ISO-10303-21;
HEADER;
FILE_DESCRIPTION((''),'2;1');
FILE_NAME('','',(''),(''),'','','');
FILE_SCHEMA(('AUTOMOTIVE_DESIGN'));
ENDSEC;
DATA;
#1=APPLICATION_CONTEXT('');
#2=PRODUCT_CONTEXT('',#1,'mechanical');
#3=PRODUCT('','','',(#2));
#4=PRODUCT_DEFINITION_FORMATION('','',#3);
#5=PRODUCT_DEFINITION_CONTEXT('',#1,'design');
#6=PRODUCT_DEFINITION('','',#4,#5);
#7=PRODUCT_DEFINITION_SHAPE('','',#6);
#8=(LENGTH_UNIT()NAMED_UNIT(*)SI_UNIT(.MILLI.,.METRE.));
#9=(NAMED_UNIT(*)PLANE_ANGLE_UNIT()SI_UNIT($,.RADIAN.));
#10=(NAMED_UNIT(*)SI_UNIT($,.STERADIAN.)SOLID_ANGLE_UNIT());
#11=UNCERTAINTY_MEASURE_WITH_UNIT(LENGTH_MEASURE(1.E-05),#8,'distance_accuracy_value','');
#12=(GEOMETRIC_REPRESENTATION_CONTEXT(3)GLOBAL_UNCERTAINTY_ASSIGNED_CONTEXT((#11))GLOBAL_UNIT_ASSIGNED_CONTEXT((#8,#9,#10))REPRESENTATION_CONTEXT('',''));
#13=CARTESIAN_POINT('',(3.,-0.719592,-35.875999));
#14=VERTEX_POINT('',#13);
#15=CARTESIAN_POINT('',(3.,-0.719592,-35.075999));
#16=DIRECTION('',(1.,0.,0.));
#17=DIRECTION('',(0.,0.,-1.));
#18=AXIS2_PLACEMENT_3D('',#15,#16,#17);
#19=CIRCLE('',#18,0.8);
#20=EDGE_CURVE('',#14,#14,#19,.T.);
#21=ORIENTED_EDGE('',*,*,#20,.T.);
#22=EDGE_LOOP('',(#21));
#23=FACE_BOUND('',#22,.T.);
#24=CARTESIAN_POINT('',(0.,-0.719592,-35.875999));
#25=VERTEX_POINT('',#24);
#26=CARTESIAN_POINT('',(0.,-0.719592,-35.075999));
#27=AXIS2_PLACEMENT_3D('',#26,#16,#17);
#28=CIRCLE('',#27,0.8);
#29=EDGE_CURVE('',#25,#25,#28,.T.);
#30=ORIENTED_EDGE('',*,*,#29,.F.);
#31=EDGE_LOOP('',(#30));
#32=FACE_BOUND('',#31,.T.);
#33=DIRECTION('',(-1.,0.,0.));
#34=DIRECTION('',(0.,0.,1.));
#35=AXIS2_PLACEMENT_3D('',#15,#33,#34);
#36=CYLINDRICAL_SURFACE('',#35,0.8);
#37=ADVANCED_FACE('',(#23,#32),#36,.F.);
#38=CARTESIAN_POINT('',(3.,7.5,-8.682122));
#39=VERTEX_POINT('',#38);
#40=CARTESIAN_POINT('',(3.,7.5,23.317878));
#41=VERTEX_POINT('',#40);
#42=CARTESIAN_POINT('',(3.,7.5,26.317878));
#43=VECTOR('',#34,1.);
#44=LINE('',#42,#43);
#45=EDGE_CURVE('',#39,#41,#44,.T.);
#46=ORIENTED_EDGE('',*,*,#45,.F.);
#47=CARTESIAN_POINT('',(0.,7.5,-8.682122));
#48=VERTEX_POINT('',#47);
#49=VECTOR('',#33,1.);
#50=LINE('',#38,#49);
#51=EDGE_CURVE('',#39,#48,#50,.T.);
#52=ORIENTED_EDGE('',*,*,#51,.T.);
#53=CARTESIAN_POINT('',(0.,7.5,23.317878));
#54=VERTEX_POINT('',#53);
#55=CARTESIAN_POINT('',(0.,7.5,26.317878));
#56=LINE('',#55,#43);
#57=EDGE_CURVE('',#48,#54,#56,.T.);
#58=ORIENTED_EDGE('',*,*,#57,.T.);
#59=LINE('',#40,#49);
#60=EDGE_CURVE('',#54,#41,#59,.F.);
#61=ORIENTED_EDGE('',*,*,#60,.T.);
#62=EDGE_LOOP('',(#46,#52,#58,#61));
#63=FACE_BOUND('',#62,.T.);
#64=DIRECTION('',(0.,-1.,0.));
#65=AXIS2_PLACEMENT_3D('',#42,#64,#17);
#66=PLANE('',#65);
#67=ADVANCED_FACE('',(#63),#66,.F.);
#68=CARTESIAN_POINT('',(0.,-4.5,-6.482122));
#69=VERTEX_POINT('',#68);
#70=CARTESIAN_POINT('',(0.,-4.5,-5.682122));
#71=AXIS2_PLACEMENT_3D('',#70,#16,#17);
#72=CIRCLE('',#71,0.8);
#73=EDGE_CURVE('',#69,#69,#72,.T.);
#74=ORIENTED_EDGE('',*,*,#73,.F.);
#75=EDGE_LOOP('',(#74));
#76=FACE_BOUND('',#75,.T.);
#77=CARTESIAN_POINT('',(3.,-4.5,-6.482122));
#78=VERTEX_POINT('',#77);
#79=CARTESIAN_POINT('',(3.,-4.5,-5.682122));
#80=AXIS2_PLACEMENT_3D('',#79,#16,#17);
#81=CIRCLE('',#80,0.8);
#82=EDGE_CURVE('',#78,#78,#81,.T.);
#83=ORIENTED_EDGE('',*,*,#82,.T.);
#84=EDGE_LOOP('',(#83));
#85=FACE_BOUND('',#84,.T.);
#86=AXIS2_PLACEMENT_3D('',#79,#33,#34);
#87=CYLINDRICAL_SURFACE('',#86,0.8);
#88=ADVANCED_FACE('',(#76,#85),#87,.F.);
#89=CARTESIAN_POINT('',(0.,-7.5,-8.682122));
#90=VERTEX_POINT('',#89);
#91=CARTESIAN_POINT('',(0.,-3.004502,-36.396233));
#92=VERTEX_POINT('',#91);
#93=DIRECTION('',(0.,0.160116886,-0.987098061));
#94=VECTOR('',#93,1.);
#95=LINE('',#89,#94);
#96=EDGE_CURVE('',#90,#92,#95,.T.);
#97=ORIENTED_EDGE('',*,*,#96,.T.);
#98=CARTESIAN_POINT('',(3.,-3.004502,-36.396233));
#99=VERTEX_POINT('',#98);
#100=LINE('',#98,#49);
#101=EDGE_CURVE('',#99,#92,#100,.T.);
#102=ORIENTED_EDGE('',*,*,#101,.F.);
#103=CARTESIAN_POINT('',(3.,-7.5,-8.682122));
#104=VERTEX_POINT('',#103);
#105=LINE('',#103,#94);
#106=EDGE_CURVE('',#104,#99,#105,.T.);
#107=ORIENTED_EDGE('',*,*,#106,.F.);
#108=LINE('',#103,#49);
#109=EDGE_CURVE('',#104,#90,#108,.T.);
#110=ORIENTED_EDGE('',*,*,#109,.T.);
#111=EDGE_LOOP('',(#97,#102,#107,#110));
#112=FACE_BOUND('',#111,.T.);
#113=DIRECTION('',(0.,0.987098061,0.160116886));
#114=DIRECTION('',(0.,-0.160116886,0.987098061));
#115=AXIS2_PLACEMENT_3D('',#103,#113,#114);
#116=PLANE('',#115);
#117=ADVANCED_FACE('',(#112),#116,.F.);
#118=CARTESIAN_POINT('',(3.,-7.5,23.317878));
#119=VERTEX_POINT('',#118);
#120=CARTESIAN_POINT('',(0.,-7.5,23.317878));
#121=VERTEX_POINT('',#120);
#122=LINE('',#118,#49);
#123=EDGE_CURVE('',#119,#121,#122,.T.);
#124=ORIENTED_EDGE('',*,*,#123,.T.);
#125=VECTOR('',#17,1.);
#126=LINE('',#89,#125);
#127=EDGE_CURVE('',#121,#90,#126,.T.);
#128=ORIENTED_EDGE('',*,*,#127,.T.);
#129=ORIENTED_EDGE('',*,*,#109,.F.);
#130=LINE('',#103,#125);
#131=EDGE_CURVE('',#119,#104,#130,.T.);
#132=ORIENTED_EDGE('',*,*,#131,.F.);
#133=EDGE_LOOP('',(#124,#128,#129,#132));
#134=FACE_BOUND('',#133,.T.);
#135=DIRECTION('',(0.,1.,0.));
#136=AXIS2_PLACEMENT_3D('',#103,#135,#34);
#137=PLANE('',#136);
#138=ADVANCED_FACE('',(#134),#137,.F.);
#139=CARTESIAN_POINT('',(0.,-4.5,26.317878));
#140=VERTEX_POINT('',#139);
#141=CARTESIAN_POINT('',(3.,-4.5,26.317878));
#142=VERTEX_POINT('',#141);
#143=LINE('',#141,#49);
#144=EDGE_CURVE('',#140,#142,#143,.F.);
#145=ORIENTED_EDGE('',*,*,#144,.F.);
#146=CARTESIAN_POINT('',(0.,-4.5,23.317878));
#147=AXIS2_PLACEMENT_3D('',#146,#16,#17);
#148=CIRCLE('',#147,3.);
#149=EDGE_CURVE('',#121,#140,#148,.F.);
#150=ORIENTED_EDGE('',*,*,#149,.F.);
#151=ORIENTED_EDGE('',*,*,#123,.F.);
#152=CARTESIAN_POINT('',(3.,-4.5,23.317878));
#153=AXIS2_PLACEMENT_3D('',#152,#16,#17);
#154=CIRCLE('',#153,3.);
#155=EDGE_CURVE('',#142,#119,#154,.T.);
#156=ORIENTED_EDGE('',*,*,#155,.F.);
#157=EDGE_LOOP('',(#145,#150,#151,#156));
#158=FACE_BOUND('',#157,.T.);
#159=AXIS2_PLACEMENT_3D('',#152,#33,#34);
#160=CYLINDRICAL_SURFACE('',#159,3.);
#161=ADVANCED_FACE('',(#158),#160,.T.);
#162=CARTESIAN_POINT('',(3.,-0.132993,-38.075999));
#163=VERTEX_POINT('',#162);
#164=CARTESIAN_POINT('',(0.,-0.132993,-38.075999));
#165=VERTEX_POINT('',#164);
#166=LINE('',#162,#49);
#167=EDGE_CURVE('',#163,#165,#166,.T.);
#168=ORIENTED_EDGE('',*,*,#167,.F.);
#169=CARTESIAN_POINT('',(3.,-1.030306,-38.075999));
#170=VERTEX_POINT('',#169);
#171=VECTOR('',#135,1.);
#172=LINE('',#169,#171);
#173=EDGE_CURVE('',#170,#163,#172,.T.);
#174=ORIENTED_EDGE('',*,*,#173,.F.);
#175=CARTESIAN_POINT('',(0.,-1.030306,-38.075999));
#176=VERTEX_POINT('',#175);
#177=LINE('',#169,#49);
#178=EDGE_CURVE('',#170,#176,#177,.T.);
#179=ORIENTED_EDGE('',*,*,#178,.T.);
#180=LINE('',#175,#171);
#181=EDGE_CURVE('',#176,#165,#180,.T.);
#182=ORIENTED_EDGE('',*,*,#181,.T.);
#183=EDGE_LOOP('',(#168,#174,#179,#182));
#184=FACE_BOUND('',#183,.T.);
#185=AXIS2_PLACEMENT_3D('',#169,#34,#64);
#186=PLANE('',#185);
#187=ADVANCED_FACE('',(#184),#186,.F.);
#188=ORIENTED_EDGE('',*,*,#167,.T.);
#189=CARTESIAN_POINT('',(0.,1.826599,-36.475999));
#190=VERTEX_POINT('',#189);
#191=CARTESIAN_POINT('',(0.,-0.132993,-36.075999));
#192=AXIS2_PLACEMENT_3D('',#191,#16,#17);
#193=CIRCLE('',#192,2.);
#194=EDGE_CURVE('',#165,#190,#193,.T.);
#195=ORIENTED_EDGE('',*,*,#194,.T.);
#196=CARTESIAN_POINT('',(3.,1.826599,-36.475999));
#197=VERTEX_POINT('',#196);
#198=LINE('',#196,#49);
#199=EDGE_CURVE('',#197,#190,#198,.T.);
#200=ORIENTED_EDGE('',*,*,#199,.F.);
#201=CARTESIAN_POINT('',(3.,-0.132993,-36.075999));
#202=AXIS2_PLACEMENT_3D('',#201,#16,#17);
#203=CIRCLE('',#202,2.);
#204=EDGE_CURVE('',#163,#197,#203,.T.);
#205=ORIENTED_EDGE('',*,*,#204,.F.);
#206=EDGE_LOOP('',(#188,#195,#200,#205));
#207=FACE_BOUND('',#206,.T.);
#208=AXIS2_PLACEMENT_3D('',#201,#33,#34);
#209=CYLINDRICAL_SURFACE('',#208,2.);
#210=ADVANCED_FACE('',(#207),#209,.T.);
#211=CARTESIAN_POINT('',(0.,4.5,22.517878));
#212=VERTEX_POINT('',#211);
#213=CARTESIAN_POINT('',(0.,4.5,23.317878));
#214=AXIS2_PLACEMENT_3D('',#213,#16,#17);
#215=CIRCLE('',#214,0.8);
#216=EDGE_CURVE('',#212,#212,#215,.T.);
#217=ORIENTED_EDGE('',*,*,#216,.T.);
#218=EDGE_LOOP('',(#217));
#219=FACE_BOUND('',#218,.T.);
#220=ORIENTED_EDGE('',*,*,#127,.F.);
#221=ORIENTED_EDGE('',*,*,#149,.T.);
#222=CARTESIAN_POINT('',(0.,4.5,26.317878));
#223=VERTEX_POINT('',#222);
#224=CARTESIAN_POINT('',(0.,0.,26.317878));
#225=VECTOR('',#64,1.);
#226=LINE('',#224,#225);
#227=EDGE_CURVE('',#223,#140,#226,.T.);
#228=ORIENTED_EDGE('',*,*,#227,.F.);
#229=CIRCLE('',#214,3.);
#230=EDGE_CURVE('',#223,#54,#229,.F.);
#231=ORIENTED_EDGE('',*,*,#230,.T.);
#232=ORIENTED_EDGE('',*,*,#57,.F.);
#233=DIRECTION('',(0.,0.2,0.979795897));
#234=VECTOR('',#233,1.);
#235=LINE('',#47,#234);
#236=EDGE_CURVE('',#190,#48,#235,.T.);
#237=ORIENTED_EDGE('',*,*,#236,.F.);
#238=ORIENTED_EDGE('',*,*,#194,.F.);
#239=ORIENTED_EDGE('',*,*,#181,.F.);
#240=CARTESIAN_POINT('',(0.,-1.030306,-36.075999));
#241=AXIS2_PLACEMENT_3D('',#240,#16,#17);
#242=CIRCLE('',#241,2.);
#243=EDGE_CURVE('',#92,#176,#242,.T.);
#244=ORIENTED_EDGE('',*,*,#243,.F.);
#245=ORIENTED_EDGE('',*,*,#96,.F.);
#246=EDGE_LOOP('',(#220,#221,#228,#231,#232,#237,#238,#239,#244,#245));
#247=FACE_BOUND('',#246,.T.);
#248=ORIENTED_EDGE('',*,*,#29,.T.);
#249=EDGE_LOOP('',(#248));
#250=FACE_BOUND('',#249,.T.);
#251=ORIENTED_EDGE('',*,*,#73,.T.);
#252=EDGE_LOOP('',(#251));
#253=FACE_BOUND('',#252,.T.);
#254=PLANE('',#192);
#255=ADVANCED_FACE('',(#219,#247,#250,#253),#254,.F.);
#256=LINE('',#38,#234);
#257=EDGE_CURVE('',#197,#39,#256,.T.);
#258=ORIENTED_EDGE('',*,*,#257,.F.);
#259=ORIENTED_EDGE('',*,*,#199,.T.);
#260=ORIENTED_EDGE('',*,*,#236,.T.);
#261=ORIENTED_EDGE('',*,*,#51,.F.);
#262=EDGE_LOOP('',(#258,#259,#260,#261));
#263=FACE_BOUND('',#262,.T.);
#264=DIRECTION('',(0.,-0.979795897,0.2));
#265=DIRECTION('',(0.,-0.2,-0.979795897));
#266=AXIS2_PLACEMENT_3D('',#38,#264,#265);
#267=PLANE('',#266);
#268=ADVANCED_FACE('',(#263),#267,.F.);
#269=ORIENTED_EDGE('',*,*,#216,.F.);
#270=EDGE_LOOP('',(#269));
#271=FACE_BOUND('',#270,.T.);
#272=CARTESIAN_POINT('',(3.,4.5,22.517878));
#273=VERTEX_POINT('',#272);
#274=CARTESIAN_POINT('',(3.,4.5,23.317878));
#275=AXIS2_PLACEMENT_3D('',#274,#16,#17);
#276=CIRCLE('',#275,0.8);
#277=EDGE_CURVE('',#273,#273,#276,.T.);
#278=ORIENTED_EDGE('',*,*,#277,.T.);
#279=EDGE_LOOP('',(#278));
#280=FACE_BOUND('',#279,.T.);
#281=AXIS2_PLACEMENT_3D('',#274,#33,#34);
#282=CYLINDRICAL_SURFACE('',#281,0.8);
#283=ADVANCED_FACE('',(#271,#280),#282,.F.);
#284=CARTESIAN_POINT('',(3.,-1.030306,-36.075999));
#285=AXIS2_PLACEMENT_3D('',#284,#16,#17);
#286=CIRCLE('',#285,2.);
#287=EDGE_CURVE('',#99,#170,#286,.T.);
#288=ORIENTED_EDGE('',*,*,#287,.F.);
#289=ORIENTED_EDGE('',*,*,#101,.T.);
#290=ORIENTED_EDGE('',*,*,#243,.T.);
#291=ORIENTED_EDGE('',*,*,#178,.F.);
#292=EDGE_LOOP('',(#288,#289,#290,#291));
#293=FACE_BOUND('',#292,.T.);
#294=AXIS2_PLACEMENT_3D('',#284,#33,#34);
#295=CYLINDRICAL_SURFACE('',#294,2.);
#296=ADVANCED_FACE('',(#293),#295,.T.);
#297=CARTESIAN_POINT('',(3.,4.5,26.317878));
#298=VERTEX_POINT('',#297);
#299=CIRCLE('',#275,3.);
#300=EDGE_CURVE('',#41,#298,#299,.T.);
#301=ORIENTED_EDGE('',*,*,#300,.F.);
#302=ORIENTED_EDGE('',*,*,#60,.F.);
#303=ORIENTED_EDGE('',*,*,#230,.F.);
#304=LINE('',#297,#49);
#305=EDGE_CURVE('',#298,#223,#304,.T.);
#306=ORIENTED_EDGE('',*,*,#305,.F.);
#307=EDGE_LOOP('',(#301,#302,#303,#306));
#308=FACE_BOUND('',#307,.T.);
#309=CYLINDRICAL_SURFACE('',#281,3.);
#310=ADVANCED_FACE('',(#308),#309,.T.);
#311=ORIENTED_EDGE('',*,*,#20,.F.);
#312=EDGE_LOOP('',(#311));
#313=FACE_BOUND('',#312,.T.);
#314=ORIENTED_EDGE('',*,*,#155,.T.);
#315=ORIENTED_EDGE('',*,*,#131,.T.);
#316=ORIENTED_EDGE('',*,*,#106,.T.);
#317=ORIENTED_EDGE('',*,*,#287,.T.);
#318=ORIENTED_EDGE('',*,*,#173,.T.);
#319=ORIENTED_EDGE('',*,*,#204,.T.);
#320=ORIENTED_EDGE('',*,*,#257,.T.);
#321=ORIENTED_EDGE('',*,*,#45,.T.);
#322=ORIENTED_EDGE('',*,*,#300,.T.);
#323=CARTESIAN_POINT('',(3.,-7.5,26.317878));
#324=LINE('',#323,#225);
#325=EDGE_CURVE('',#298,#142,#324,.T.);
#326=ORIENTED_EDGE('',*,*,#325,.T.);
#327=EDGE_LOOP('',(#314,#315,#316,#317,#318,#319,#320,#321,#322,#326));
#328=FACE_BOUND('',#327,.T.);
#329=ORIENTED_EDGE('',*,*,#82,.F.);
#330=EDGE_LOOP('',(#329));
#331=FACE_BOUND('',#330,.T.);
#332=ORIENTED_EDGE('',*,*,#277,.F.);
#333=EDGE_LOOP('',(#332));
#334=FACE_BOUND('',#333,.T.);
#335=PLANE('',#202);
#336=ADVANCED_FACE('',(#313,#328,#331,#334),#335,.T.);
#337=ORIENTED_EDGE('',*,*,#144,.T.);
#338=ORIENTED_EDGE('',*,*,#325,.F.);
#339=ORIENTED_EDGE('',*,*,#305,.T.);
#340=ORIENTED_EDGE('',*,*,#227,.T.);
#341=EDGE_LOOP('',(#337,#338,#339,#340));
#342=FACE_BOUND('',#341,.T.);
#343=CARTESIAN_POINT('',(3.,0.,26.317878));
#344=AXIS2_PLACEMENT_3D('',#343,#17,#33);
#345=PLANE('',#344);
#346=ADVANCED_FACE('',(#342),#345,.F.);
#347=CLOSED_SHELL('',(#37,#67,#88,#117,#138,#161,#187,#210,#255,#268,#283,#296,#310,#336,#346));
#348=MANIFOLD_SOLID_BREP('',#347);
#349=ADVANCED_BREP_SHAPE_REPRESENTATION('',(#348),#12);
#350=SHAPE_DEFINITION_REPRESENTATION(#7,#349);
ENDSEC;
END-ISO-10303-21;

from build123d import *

# Parameters (mm, degrees)
ESBO_O1_R                = 0.8
RESSALTO_EXTRUS_O1_DEPTH = 3
FILETE1_R                = 3
FILETE2_R                = 3


with BuildPart() as part:
    # Esboço1 → Ressalto-extrusão1 (new body)
    with BuildSketch(Plane(origin=(0, 0, 0), x_dir=(0, 0, -1), z_dir=(1, 0, 0))):
        with BuildLine():
            Line((-26.317877539, 0), (-26.317877539, 7.5))
            Line((-26.317877539, 7.5), (8.682122461, 7.5))
            Line((8.682122461, 7.5), (36.475999374, 1.826598632))
            ThreePointArc((36.475999374, 1.826598632), (37.625192713, 1.131917902), (38.075999374, -0.132993162))
            Line((38.075999374, -0.132993162), (38.075999374, -1.030306154))
            ThreePointArc((38.075999374, -1.030306154), (37.599230732, -2.326364112), (36.396233145, -3.004502277))
            Line((36.396233145, -3.004502277), (8.682122461, -7.5))
            Line((8.682122461, -7.5), (-26.317877539, -7.5))
            Line((-26.317877539, -7.5), (-26.317877539, 0))
        make_face()
        with Locations((-23.317877539, 4.5)):
            Circle(ESBO_O1_R, mode=Mode.SUBTRACT)
        with Locations((5.682122461, -4.5)):
            Circle(ESBO_O1_R, mode=Mode.SUBTRACT)
        with Locations((35.075999374, -0.719592125)):
            Circle(ESBO_O1_R, mode=Mode.SUBTRACT)
    extrude(amount=RESSALTO_EXTRUS_O1_DEPTH)

    # Filete1
    filete1_edges = [part.edges().sort_by_distance(p)[0] for p in [
        (1.5, -7.5, 26.317877539),
    ]]
    fillet(filete1_edges, radius=FILETE1_R)

    # Filete2
    filete2_edges = [part.edges().sort_by_distance(p)[0] for p in [
        (1.5, 7.5, 26.317877539),
    ]]
    fillet(filete2_edges, radius=FILETE2_R)


solid = part.part
